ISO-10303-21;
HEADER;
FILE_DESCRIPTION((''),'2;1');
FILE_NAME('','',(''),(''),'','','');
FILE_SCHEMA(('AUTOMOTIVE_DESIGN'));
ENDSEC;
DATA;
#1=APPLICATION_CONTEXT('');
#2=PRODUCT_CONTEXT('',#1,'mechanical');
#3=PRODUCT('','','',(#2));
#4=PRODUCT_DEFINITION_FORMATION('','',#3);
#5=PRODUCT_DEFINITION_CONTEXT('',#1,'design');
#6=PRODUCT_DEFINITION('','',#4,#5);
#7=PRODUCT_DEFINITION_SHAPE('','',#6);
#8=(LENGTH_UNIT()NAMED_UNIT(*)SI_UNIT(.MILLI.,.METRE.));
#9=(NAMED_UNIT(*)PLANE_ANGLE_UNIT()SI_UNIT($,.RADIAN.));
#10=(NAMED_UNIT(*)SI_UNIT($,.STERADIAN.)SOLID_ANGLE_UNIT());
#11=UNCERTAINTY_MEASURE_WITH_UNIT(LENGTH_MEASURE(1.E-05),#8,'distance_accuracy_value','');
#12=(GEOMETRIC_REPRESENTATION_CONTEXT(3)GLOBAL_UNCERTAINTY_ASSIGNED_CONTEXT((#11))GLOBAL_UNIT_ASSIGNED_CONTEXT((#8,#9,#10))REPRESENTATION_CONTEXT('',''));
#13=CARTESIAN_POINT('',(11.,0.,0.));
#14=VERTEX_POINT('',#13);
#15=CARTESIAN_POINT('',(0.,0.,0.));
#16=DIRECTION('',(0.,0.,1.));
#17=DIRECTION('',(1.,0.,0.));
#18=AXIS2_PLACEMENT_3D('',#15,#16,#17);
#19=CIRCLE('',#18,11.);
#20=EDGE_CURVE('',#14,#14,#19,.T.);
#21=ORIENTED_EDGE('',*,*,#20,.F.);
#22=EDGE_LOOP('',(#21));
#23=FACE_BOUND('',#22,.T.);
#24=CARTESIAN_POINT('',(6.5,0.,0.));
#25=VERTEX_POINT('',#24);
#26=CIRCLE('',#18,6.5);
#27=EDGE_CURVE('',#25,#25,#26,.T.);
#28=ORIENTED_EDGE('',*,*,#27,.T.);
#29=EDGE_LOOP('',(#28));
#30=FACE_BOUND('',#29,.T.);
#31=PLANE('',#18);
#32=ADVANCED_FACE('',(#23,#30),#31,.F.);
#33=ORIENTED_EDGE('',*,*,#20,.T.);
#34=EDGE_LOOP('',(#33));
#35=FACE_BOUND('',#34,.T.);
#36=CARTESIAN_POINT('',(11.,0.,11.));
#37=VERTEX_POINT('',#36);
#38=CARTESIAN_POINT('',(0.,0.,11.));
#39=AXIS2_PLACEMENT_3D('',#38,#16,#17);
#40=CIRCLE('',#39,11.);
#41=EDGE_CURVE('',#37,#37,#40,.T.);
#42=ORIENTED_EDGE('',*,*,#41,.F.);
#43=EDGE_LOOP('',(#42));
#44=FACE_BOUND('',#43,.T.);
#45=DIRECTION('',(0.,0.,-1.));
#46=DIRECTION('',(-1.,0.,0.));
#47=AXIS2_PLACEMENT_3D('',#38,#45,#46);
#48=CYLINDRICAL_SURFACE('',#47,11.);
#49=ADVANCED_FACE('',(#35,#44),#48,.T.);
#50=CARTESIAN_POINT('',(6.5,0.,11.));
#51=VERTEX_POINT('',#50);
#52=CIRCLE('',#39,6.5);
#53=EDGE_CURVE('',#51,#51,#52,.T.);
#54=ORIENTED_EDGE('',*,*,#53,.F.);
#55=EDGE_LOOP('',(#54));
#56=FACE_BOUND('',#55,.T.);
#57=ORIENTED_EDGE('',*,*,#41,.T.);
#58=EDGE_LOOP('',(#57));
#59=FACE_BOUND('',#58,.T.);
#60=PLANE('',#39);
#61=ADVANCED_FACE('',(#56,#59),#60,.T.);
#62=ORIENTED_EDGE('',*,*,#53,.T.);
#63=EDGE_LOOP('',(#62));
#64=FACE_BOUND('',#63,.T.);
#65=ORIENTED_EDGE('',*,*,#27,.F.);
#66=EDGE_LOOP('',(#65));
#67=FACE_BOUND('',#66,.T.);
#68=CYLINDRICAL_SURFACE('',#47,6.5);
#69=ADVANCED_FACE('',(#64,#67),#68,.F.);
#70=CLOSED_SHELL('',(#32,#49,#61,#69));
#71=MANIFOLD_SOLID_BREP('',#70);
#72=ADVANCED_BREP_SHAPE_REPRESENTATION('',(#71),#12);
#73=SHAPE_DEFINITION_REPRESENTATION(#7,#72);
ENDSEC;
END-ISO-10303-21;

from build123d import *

# Parameters (mm, degrees)
SKETCH_1_R      = 11
SKETCH_1_R_2    = 6.5
EXTRUDE_1_DEPTH = 11


with BuildPart() as part:
    # ｽｹｯﾁ1 → ﾎﾞｽ - 押し出し1 (new body)
    with BuildSketch(Plane.XY):
        Circle(SKETCH_1_R)
        Circle(SKETCH_1_R_2, mode=Mode.SUBTRACT)
    extrude(amount=EXTRUDE_1_DEPTH)


solid = part.part
